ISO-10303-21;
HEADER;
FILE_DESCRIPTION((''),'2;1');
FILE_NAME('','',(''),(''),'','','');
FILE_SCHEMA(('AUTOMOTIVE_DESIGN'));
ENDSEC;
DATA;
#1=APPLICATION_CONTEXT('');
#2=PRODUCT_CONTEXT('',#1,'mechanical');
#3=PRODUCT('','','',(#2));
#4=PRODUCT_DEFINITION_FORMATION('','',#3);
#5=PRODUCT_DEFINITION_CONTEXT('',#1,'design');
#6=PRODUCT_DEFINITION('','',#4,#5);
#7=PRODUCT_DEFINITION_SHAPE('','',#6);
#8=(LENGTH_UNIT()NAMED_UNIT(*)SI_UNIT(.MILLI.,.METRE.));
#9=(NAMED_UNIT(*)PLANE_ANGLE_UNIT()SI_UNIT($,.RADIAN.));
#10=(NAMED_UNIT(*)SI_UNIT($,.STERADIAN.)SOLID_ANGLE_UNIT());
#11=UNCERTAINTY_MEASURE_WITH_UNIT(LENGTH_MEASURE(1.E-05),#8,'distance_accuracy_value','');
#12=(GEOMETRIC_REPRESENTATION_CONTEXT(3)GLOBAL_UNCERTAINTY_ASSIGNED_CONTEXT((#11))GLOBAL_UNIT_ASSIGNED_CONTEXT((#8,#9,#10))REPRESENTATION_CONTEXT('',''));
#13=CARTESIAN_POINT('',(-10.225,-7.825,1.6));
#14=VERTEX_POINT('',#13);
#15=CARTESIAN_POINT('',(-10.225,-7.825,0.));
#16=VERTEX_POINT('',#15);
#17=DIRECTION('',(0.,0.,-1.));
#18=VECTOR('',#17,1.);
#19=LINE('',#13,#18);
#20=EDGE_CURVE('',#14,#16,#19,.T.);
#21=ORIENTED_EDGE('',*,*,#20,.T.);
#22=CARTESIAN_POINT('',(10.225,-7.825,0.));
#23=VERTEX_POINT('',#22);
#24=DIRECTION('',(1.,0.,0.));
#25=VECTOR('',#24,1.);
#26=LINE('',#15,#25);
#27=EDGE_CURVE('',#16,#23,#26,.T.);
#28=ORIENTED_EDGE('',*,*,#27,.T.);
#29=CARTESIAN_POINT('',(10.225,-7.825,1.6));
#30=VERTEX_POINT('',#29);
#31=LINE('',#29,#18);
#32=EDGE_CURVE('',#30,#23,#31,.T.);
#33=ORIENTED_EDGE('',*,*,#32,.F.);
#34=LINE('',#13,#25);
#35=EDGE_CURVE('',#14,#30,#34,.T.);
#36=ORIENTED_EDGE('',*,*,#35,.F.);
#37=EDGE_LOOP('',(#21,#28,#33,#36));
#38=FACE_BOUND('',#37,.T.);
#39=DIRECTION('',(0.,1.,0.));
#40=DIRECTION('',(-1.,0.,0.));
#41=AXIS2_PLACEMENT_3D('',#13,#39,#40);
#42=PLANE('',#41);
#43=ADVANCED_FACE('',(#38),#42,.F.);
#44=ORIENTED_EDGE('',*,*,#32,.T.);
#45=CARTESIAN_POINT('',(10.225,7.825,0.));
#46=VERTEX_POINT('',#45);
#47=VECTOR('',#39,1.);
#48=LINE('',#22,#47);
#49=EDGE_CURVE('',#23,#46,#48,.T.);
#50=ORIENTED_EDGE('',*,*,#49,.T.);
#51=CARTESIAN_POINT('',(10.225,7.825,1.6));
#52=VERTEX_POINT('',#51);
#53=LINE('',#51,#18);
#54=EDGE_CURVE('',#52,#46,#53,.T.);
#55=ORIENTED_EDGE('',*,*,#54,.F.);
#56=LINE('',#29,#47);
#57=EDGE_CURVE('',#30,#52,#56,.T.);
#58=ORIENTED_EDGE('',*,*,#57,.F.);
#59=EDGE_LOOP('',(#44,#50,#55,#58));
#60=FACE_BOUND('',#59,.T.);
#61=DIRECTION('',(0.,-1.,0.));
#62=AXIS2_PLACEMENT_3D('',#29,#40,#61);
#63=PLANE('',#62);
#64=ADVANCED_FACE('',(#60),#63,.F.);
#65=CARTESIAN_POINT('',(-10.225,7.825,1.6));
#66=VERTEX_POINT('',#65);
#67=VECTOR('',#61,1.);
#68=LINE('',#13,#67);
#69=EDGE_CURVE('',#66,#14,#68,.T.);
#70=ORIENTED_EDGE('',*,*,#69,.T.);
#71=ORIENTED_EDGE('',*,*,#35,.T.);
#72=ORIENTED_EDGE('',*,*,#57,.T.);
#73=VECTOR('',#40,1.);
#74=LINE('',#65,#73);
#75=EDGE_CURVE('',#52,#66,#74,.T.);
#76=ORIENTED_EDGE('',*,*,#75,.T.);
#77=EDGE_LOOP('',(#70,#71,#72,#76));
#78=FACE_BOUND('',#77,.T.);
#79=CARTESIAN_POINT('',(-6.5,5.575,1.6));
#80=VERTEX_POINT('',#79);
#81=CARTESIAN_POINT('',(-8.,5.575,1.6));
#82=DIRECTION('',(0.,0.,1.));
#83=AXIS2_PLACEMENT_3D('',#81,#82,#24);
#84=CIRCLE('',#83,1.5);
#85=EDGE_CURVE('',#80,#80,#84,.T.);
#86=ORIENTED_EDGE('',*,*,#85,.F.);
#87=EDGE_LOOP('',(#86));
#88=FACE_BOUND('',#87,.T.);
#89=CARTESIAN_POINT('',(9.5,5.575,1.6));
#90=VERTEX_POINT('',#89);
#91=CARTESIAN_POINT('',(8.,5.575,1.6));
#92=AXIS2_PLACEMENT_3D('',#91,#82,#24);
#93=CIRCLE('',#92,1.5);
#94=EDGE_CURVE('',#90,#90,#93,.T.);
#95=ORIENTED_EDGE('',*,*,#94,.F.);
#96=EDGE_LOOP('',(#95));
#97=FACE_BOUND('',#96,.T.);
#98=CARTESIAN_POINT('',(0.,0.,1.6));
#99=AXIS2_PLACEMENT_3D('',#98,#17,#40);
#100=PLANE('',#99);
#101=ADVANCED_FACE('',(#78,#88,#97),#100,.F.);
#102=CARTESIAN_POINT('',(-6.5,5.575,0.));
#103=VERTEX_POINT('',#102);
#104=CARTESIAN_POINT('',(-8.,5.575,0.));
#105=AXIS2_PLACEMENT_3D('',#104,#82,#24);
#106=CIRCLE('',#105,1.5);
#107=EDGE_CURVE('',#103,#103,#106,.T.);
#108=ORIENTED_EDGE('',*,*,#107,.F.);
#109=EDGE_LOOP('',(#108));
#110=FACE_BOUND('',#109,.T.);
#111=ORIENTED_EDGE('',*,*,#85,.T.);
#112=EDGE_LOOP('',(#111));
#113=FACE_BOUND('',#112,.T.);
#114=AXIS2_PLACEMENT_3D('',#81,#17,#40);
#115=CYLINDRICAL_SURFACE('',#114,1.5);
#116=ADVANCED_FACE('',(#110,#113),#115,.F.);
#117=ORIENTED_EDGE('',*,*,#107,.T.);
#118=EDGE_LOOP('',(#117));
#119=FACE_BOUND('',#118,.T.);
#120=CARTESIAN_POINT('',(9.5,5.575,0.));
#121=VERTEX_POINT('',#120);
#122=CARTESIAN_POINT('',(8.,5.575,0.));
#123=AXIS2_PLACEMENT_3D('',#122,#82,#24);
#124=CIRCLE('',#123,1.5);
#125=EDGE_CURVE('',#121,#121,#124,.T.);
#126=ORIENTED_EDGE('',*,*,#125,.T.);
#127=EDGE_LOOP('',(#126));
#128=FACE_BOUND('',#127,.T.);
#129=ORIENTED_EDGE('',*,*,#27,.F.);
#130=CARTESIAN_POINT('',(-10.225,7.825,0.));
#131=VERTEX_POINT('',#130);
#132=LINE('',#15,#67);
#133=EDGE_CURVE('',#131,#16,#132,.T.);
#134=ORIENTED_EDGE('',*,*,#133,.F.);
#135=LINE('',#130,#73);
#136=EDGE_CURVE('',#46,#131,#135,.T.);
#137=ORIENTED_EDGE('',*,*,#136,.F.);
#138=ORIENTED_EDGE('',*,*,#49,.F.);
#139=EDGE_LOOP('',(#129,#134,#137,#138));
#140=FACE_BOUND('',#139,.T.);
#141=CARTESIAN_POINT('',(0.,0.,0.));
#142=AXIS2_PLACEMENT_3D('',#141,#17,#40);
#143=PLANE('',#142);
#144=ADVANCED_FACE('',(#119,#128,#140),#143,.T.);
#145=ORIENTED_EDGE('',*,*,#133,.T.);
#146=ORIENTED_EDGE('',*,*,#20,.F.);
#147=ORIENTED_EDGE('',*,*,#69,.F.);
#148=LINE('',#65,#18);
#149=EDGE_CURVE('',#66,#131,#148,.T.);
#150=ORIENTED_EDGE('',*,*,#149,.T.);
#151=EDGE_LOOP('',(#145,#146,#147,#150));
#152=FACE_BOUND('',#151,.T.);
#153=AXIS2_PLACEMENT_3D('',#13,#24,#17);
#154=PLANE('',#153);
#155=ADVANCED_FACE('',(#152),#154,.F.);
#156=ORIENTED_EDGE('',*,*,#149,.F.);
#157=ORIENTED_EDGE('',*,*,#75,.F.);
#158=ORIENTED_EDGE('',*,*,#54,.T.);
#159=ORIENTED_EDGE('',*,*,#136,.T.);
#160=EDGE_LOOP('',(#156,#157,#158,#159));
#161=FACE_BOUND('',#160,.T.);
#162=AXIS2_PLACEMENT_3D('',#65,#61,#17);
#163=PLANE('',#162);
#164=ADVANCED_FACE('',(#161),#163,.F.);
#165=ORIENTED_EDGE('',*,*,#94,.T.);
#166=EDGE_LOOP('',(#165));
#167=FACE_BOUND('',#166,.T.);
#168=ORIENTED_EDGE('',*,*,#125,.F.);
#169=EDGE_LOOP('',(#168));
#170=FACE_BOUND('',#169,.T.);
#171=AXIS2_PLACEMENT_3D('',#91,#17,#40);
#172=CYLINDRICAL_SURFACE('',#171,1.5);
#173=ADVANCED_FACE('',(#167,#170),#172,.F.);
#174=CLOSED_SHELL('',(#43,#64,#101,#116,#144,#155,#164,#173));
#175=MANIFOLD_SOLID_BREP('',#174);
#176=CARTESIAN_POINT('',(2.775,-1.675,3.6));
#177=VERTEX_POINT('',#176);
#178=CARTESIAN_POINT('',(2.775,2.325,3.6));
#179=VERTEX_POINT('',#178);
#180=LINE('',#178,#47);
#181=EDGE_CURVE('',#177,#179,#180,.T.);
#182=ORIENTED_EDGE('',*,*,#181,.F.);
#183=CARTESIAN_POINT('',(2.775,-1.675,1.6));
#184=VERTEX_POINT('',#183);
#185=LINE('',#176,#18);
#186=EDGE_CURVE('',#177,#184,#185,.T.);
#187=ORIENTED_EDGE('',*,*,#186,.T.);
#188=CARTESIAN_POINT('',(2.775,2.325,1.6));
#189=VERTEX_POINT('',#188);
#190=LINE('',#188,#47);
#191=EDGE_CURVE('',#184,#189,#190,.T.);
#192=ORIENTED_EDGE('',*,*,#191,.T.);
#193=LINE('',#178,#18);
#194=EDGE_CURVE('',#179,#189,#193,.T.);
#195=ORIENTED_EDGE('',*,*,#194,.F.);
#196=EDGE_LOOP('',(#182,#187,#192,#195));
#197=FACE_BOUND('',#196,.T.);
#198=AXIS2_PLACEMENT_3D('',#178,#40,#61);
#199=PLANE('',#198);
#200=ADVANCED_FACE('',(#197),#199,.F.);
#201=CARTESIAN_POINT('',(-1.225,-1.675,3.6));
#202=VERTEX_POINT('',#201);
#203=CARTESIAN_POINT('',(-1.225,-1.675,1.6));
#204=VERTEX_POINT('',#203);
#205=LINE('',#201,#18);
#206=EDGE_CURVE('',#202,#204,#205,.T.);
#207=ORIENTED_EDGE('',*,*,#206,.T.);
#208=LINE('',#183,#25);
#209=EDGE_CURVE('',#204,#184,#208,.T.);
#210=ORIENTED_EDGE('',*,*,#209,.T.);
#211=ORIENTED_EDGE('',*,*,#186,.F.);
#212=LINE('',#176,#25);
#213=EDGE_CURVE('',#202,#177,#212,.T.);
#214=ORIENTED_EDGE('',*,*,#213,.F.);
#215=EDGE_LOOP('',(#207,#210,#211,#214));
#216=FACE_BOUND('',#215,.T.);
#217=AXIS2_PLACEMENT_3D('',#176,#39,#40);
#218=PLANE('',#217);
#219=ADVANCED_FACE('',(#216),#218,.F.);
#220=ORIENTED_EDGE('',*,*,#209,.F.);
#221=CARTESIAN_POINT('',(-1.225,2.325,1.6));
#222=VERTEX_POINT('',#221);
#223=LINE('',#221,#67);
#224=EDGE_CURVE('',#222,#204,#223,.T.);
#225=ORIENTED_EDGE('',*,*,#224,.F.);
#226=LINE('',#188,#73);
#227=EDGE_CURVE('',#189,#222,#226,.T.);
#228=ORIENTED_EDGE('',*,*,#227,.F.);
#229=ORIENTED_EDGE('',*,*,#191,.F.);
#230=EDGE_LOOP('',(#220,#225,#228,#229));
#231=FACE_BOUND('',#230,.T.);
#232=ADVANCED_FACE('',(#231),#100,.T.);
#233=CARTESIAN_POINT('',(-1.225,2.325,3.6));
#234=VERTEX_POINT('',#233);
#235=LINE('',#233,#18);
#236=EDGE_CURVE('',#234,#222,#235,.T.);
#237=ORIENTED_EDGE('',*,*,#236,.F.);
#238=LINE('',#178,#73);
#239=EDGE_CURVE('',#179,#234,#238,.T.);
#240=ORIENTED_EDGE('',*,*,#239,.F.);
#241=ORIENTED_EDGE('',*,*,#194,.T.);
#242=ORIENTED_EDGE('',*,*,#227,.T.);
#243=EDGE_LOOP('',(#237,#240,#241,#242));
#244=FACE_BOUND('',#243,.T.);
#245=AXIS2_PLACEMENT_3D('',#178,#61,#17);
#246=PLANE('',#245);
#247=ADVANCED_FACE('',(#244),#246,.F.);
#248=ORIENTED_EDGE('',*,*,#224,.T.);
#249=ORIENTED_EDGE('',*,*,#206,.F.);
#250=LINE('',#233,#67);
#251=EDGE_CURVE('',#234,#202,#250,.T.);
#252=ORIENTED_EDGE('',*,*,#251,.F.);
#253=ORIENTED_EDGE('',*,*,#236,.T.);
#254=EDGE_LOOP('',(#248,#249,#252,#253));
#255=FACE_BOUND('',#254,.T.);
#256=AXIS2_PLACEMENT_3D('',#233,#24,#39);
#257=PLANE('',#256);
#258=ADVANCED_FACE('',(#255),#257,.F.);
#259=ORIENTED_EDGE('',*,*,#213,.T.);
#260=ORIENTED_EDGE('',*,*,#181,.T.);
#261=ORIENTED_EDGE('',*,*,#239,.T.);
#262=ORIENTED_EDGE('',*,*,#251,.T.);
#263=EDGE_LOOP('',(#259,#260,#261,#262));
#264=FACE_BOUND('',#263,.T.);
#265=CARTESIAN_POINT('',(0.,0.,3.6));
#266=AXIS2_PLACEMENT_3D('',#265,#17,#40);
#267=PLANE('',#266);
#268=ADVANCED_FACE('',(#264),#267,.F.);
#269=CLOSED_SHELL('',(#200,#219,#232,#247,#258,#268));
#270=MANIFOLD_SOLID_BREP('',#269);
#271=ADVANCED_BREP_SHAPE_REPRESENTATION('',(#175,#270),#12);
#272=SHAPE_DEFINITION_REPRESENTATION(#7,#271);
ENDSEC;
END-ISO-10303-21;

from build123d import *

# Parameters (mm, degrees)
SKICA1_W                = 20.45
SKICA1_H                = 15.65
SKICA1_R                = 1.5
P_IDAT_VYSUNUT_M1_DEPTH = 1.6
SKICA2_W                = 4
SKICA2_H                = 4
P_IDAT_VYSUNUT_M2_DEPTH = 2


with BuildPart() as part:
    # Skica1 → Přidat vysunutím1 (new body)
    with BuildSketch(Plane.XY):
        Rectangle(SKICA1_W, SKICA1_H)
        with Locations((-8, 5.575)):
            Circle(SKICA1_R, mode=Mode.SUBTRACT)
        with Locations((8, 5.575)):
            Circle(SKICA1_R, mode=Mode.SUBTRACT)
    extrude(amount=P_IDAT_VYSUNUT_M1_DEPTH)


with BuildPart() as body_2:
    # Skica2 → Přidat vysunutím2 (new body)
    with BuildSketch(Plane.XY.offset(1.6)):
        with Locations((0.775, 0.325)):
            Rectangle(SKICA2_W, SKICA2_H)
    extrude(amount=P_IDAT_VYSUNUT_M2_DEPTH)


solid = Compound([part.part, body_2.part])
